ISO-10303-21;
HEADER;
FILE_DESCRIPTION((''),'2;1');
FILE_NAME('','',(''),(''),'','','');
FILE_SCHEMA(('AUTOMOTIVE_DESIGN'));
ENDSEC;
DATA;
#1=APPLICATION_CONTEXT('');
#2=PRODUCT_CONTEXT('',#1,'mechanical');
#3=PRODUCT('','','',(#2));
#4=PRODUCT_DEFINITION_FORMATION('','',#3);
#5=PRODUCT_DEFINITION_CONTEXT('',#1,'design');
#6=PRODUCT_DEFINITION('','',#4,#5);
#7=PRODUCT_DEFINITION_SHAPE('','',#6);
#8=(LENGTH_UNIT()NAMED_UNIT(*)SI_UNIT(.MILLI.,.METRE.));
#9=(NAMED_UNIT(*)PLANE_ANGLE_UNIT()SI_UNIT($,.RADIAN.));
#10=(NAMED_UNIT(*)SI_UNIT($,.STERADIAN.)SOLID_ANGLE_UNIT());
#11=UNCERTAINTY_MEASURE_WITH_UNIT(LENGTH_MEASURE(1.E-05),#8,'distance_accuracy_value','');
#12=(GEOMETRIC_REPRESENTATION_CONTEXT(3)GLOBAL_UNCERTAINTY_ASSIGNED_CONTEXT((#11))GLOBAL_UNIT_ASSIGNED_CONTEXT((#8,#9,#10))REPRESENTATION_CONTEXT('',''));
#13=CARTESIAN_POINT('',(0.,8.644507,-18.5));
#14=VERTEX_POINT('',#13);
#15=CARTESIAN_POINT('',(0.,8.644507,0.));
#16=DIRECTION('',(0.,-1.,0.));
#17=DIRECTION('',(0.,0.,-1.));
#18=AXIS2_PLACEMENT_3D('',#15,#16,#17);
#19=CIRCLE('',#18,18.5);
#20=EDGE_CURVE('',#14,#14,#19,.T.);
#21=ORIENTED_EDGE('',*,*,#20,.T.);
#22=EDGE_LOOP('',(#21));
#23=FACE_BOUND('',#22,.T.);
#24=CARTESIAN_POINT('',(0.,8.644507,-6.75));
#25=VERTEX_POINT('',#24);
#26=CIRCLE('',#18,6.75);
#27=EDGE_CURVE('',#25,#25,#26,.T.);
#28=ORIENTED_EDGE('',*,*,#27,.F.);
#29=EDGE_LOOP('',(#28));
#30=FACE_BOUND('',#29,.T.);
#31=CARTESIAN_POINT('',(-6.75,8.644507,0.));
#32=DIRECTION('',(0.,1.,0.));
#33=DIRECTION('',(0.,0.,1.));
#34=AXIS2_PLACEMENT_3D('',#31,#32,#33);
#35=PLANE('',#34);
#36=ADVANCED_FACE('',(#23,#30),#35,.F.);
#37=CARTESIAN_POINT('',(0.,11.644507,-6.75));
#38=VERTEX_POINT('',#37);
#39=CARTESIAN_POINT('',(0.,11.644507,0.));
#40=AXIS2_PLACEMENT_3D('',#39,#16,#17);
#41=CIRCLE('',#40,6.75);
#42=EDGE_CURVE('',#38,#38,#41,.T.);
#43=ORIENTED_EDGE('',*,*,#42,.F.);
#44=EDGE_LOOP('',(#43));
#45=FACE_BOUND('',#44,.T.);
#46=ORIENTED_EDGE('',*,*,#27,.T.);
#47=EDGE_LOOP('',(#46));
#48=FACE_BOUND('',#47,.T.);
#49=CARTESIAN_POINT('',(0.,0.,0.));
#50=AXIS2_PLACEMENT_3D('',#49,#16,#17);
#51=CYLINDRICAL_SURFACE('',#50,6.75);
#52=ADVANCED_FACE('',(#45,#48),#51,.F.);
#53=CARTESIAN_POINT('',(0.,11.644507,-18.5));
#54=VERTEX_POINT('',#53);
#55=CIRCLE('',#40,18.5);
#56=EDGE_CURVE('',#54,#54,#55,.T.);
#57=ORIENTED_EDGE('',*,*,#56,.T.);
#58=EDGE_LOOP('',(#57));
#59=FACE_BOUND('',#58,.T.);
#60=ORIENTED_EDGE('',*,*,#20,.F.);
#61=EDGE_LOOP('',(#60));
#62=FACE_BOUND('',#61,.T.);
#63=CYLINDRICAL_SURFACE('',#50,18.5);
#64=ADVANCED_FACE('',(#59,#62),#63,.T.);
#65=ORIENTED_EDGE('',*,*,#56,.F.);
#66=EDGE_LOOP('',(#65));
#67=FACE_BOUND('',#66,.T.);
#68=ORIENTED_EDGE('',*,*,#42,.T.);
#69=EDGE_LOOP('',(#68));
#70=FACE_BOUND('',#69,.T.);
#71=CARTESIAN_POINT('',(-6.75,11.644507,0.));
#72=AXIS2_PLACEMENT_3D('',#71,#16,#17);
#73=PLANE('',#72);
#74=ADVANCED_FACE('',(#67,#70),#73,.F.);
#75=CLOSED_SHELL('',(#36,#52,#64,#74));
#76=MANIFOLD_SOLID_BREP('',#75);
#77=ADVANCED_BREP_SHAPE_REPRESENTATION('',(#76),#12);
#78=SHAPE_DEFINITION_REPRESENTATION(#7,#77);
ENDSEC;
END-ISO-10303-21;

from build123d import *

# Parameters (mm, degrees)
SKETCH_1_W = 11.75
SKETCH_1_H = 3


with BuildPart() as part:
    # 草图1 → Revolve 437 (revolve)
    with BuildSketch(Plane.XY, mode=Mode.PRIVATE) as revolve_437_sk:
        with Locations((-12.625, 10.144507042)):
            Rectangle(SKETCH_1_W, SKETCH_1_H)
    revolve(revolve_437_sk.sketch.rotate(Axis((0, 0, 0), (0, 1, 0)), 270), axis=Axis((0, 0, 0), (0, 1, 0)))


solid = part.part
